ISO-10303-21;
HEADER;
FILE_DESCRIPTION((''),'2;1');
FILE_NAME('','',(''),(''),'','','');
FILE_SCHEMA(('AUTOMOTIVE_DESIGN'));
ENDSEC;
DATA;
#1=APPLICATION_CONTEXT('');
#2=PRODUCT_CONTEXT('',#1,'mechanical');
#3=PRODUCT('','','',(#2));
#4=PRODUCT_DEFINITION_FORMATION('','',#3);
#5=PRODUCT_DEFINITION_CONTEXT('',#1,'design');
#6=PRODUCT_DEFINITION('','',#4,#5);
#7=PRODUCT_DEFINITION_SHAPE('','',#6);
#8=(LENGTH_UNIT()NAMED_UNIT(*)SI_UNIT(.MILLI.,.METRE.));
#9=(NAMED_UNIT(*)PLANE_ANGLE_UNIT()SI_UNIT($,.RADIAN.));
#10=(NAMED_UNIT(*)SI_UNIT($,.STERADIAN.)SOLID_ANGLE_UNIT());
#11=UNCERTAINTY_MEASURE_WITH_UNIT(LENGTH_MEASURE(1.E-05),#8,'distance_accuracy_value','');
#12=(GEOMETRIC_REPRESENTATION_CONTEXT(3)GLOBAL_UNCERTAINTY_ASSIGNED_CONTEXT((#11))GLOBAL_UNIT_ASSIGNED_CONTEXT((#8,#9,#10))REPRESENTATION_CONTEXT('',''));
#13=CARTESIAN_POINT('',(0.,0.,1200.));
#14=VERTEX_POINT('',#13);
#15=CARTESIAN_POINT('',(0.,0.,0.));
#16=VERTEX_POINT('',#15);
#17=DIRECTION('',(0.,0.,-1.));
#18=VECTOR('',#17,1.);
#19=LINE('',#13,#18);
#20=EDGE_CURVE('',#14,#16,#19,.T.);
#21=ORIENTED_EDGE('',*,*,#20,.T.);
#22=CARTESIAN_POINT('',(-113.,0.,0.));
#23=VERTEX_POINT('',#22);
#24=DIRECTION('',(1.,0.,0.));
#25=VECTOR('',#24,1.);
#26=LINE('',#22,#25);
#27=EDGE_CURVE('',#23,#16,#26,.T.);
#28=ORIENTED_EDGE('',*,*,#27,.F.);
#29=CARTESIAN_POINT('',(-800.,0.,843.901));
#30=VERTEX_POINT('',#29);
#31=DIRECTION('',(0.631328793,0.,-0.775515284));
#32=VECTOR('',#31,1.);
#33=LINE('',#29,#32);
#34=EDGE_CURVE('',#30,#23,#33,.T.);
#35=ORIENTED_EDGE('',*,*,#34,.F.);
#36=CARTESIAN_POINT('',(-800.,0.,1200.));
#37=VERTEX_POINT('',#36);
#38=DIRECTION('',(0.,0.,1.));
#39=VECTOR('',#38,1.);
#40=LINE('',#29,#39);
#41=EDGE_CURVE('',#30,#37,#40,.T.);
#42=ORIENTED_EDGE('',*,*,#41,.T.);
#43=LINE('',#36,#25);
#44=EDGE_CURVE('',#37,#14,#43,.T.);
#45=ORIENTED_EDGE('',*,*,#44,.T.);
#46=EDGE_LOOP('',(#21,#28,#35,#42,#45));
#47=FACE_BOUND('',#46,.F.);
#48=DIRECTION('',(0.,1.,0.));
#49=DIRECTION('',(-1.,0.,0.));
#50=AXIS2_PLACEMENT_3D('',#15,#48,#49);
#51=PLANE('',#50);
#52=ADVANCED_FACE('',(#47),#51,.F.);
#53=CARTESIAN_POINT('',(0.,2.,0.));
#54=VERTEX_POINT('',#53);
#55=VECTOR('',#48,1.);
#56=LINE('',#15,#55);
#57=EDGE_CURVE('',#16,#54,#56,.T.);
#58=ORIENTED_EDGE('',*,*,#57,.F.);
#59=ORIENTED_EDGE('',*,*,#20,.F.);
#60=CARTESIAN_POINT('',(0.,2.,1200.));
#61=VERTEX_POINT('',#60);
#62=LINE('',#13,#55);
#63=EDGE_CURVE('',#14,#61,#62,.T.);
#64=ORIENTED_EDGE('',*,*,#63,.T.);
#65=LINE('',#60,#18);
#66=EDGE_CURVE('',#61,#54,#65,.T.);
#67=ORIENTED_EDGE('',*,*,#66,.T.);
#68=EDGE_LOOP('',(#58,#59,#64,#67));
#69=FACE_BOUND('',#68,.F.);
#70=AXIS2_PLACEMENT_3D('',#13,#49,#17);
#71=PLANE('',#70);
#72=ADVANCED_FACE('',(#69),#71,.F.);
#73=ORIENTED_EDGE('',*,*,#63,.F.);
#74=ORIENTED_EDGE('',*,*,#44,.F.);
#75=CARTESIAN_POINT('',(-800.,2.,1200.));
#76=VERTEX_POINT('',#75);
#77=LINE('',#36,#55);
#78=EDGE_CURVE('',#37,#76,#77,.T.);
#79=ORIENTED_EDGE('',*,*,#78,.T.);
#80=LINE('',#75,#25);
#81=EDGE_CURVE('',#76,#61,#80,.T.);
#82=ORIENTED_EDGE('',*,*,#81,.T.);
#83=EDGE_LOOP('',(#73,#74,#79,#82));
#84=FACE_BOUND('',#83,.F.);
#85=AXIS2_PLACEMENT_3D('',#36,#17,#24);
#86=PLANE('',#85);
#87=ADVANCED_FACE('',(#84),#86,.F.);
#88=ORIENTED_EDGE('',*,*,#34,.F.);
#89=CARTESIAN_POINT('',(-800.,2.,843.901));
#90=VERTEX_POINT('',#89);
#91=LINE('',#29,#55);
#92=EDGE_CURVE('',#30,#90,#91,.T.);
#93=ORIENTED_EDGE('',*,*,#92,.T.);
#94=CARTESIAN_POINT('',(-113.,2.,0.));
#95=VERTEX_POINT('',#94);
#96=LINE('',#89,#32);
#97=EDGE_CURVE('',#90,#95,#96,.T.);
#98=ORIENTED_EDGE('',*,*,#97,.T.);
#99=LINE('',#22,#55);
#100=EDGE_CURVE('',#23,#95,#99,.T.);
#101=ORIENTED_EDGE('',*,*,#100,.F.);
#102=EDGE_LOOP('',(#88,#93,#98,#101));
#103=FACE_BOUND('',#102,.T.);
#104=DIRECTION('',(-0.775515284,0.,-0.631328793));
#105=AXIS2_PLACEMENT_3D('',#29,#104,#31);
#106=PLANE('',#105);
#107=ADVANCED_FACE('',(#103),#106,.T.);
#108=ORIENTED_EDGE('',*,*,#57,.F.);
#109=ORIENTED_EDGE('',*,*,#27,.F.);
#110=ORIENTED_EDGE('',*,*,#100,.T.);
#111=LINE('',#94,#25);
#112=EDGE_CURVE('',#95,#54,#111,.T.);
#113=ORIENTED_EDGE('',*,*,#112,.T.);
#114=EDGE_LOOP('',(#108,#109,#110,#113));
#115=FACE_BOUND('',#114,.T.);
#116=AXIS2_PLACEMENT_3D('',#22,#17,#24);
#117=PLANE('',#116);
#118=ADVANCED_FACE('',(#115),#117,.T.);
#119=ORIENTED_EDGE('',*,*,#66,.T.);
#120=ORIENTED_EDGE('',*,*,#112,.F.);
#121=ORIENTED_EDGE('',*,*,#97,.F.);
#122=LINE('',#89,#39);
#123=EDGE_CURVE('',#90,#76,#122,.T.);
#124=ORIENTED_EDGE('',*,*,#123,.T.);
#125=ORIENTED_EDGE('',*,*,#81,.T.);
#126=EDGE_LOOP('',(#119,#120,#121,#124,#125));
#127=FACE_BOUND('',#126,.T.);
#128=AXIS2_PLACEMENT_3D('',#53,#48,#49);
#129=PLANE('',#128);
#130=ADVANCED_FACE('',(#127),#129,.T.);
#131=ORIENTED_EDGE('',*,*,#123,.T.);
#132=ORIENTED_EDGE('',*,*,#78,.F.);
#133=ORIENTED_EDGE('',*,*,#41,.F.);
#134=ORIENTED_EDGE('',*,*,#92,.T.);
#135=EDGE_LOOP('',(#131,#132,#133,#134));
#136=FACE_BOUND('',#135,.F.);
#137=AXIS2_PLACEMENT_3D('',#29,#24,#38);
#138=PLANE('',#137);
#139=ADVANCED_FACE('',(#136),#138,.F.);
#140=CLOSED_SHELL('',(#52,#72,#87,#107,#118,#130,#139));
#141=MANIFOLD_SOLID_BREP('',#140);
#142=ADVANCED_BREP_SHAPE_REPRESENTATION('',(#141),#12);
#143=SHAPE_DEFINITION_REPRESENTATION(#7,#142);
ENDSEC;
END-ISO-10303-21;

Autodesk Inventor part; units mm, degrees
ref_plane "YZ Plane" through (0, 0, 0) normal (1, 0, 0) x (0, 1, 0)
ref_plane "XZ Plane" through (0, 0, 0) normal (0, 1, 0) x (-1, 0, 0)
ref_plane "XY Plane" through (0, 0, 0) normal (0, 0, 1) x (1, 0, 0)
sketch "Sketch1" plane through (0, 0, 0) normal (0, 1, 0) x (-1, 0, 0)
  line L0 (0, 1200) -> (0, 0)
  line L1 (800, 843.901) -> (800, 1200)
  line L2 (800, 1200) -> (0, 1200)
  line L3 (800, 843.901) -> (113, 0)
  line L4 (113, 0) -> (0, 0)
  line L5 (685.2711, 713.7323) -> (114.1118, 12.1284)
  dimension "d0" = 1200
  dimension "d1" = 800
  dimension "d2" = 356.099
  dimension "d5" = 129.148
  dimension "d6" = 113
extrude "Plate1" add sketch "Sketch1" along normal blind 2
equation "\"d3\" = Thickness"
equation "\"BendRadius\" = Thickness"
equation "\"BendReliefWidth\" = Thickness"
equation "\"BendReliefDepth\" = 0.5 * Thickness"
equation "\"CornerReliefSize\" = 4 * Thickness"
equation "\"MinimumRemnant\" = 2 * Thickness"
equation "\"TransitionRadius\" = BendRadius"
equation "\"JacobiRadiusSize\" = BendRadius"
equation "\"GapSize\" = Thickness"
equation "\"Thickness\" = 2"
properties part number "MSC 053 face 3"
